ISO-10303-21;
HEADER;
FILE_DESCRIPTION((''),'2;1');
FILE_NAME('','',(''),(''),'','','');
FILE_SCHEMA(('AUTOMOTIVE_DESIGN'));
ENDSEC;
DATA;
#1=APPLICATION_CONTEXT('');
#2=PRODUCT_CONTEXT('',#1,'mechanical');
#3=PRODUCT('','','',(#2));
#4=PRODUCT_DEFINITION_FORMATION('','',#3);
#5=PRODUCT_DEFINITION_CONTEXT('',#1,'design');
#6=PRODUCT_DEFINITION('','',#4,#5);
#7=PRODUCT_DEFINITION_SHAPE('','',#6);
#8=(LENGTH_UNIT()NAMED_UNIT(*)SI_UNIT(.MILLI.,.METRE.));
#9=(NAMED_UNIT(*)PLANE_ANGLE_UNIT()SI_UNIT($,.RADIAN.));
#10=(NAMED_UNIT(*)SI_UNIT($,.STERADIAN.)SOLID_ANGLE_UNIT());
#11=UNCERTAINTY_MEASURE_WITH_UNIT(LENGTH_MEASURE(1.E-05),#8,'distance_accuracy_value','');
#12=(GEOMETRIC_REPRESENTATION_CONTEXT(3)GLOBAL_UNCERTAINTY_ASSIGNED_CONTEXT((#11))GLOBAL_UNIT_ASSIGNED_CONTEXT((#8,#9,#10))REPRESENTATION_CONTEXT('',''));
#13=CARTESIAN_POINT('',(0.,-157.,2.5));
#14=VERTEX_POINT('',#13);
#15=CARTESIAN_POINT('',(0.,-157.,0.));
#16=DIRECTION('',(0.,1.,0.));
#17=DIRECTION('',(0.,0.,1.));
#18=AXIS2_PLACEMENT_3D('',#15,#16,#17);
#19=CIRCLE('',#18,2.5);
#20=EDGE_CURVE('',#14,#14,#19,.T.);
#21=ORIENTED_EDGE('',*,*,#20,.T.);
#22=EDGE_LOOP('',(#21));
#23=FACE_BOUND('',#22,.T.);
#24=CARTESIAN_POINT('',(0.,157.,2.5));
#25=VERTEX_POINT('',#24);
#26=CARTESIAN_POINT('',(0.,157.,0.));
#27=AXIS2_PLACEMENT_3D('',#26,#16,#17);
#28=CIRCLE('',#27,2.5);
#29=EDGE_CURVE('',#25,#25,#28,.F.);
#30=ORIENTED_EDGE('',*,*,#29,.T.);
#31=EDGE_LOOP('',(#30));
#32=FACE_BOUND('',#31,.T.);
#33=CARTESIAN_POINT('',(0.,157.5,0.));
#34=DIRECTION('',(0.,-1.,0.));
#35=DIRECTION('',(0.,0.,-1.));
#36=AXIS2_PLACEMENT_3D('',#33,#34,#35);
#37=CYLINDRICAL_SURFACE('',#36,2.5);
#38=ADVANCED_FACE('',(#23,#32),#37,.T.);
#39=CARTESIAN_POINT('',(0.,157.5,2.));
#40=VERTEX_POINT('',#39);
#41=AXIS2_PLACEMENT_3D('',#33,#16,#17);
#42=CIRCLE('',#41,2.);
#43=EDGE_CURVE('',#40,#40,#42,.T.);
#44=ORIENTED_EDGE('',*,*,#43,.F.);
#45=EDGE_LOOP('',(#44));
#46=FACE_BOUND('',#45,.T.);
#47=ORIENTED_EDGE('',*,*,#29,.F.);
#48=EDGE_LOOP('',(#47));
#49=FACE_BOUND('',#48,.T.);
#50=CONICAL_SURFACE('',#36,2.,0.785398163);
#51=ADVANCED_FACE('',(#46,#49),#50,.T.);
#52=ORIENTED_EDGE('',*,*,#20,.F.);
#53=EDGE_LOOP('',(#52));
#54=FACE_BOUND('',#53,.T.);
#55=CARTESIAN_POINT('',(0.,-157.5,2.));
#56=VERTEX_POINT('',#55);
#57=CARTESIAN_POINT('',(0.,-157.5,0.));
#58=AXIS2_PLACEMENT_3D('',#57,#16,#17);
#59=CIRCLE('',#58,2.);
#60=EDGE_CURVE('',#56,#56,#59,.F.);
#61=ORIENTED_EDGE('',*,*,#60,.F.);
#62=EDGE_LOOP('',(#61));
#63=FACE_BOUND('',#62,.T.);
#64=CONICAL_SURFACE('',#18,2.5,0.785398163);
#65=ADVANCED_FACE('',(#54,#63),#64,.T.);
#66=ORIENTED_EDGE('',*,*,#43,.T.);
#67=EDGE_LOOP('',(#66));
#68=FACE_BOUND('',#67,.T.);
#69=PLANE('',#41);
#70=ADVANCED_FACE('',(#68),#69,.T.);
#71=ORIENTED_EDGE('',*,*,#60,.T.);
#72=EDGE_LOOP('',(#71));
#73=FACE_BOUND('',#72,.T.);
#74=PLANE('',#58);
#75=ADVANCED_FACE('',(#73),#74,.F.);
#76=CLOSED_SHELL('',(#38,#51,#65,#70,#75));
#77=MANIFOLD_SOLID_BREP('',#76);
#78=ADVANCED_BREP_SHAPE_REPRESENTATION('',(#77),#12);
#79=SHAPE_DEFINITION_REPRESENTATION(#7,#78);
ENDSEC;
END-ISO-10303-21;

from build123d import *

# Parameters (mm, degrees)
SKETCH1_R           = 2.5
BOSS_EXTRUDE1_DEPTH = 157.5
CHAMFER1_SIZE       = 0.5


with BuildPart() as part:
    # Sketch1 → Boss-Extrude1 (new, symmetric)
    with BuildSketch(Plane(origin=(0, 0, 0), x_dir=(1, 0, 0), z_dir=(0, 1, 0))):
        Circle(SKETCH1_R)
    extrude(amount=BOSS_EXTRUDE1_DEPTH, both=True)

    # Chamfer1
    chamfer1_edges = [part.edges().sort_by_distance(p)[0] for p in [
        (-2.5, -157.5, 0),
        (-2.5, 157.5, 0),
    ]]
    chamfer(chamfer1_edges, length=CHAMFER1_SIZE)


solid = part.part
